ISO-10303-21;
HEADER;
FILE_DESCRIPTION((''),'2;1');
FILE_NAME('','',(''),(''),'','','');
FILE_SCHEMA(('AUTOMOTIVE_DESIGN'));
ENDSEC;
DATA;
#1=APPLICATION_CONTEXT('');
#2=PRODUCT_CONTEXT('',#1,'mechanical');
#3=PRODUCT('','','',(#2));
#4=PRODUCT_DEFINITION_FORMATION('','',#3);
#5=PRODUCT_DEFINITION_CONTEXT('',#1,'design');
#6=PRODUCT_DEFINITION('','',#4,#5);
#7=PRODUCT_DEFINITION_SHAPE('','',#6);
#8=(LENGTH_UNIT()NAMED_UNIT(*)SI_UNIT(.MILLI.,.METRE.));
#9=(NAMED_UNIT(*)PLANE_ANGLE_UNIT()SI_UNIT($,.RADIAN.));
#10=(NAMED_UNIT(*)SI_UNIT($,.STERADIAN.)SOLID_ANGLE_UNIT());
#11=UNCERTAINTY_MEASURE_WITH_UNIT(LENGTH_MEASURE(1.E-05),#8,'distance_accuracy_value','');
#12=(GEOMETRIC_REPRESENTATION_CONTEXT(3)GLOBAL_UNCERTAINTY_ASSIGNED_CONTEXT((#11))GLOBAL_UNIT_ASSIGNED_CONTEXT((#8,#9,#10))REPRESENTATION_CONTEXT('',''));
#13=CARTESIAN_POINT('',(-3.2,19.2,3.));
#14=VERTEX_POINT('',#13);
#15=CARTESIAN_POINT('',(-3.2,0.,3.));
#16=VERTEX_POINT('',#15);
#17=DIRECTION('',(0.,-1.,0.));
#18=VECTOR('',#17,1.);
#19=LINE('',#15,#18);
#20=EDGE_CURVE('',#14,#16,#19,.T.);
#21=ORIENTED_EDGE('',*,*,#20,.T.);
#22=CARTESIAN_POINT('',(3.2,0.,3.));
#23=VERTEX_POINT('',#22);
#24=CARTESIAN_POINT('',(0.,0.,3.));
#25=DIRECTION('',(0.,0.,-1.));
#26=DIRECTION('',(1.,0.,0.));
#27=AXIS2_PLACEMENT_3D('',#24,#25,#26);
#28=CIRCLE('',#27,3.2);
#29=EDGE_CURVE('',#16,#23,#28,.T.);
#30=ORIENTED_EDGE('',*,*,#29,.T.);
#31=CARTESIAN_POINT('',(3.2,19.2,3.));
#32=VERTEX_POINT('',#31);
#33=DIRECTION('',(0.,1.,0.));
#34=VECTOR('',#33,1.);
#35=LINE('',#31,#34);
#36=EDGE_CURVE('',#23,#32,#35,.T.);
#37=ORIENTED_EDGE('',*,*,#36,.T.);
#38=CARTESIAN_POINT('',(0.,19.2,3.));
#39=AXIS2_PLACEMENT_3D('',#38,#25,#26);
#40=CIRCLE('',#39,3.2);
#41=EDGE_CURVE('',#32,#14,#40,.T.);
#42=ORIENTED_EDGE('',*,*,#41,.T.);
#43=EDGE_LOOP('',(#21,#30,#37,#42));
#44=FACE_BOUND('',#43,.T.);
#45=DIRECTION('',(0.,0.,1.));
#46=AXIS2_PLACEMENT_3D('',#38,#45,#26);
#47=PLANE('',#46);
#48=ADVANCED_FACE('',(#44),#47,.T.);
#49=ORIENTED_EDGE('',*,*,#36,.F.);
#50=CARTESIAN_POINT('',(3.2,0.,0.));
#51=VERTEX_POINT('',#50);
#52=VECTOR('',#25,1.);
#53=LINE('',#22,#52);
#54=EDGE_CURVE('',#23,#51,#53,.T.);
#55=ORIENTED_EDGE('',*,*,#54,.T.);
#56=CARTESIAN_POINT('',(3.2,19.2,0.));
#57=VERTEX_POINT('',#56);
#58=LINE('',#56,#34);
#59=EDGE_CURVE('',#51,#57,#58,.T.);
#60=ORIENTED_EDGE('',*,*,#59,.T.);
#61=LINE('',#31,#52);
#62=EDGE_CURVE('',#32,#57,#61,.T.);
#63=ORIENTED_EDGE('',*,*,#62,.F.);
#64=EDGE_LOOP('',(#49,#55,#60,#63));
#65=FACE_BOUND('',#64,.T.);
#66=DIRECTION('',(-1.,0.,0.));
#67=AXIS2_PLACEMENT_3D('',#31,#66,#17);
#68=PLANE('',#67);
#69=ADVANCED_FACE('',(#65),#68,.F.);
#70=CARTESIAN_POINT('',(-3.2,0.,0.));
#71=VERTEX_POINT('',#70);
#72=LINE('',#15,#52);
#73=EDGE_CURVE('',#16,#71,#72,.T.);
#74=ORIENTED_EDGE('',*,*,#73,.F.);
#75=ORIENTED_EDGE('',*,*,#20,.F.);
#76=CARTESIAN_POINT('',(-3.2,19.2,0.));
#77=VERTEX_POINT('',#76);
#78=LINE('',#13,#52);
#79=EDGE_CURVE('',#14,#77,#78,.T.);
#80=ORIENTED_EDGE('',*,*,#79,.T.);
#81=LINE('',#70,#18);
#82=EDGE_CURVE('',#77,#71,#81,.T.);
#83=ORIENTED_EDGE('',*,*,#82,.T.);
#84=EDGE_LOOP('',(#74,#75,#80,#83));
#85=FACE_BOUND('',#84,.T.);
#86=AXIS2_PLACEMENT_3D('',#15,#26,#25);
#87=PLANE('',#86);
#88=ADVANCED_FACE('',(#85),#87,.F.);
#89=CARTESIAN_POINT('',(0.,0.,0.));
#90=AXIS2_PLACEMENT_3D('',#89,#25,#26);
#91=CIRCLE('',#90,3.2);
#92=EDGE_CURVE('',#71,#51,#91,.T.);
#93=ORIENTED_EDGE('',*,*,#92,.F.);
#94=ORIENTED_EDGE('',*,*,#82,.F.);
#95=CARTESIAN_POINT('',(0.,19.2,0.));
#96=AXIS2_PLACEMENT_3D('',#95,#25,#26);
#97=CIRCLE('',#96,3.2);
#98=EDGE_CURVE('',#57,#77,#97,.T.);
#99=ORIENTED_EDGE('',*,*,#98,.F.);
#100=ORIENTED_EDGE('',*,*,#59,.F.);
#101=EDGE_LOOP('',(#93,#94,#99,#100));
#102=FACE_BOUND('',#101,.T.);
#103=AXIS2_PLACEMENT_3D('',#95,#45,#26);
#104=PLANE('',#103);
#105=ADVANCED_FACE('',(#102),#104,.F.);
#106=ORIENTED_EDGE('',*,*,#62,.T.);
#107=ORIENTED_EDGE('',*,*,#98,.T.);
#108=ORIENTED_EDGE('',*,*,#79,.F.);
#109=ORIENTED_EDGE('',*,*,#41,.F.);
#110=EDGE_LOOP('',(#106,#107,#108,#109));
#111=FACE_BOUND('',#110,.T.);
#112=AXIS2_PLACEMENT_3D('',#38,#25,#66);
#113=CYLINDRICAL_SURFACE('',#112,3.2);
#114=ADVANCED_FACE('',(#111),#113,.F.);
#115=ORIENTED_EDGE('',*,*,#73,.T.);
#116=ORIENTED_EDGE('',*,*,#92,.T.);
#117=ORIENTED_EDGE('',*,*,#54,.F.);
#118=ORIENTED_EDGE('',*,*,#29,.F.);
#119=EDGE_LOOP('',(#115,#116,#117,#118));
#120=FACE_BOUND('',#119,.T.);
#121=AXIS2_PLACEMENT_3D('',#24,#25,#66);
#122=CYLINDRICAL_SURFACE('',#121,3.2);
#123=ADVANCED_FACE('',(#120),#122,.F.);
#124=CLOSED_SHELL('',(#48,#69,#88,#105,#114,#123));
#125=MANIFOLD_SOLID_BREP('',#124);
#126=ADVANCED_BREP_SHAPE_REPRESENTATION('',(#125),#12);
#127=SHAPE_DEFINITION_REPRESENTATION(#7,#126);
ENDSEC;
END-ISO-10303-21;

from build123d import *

# Parameters (mm, degrees)
BOSS_EXTRUDE3_DEPTH = 3


with BuildPart() as part:
    # Sketch1 → Boss-Extrude3 (new body)
    with BuildSketch(Plane.XY):
        with BuildLine():
            Line((-3.2, 0), (-3.2, 19.2))
            ThreePointArc((-3.2, 19.2), (0, 16), (3.2, 19.2))
            Line((3.2, 19.2), (3.2, 0))
            ThreePointArc((3.2, 0), (0, 3.2), (-3.2, 0))
        make_face()
    extrude(amount=BOSS_EXTRUDE3_DEPTH)


solid = part.part
